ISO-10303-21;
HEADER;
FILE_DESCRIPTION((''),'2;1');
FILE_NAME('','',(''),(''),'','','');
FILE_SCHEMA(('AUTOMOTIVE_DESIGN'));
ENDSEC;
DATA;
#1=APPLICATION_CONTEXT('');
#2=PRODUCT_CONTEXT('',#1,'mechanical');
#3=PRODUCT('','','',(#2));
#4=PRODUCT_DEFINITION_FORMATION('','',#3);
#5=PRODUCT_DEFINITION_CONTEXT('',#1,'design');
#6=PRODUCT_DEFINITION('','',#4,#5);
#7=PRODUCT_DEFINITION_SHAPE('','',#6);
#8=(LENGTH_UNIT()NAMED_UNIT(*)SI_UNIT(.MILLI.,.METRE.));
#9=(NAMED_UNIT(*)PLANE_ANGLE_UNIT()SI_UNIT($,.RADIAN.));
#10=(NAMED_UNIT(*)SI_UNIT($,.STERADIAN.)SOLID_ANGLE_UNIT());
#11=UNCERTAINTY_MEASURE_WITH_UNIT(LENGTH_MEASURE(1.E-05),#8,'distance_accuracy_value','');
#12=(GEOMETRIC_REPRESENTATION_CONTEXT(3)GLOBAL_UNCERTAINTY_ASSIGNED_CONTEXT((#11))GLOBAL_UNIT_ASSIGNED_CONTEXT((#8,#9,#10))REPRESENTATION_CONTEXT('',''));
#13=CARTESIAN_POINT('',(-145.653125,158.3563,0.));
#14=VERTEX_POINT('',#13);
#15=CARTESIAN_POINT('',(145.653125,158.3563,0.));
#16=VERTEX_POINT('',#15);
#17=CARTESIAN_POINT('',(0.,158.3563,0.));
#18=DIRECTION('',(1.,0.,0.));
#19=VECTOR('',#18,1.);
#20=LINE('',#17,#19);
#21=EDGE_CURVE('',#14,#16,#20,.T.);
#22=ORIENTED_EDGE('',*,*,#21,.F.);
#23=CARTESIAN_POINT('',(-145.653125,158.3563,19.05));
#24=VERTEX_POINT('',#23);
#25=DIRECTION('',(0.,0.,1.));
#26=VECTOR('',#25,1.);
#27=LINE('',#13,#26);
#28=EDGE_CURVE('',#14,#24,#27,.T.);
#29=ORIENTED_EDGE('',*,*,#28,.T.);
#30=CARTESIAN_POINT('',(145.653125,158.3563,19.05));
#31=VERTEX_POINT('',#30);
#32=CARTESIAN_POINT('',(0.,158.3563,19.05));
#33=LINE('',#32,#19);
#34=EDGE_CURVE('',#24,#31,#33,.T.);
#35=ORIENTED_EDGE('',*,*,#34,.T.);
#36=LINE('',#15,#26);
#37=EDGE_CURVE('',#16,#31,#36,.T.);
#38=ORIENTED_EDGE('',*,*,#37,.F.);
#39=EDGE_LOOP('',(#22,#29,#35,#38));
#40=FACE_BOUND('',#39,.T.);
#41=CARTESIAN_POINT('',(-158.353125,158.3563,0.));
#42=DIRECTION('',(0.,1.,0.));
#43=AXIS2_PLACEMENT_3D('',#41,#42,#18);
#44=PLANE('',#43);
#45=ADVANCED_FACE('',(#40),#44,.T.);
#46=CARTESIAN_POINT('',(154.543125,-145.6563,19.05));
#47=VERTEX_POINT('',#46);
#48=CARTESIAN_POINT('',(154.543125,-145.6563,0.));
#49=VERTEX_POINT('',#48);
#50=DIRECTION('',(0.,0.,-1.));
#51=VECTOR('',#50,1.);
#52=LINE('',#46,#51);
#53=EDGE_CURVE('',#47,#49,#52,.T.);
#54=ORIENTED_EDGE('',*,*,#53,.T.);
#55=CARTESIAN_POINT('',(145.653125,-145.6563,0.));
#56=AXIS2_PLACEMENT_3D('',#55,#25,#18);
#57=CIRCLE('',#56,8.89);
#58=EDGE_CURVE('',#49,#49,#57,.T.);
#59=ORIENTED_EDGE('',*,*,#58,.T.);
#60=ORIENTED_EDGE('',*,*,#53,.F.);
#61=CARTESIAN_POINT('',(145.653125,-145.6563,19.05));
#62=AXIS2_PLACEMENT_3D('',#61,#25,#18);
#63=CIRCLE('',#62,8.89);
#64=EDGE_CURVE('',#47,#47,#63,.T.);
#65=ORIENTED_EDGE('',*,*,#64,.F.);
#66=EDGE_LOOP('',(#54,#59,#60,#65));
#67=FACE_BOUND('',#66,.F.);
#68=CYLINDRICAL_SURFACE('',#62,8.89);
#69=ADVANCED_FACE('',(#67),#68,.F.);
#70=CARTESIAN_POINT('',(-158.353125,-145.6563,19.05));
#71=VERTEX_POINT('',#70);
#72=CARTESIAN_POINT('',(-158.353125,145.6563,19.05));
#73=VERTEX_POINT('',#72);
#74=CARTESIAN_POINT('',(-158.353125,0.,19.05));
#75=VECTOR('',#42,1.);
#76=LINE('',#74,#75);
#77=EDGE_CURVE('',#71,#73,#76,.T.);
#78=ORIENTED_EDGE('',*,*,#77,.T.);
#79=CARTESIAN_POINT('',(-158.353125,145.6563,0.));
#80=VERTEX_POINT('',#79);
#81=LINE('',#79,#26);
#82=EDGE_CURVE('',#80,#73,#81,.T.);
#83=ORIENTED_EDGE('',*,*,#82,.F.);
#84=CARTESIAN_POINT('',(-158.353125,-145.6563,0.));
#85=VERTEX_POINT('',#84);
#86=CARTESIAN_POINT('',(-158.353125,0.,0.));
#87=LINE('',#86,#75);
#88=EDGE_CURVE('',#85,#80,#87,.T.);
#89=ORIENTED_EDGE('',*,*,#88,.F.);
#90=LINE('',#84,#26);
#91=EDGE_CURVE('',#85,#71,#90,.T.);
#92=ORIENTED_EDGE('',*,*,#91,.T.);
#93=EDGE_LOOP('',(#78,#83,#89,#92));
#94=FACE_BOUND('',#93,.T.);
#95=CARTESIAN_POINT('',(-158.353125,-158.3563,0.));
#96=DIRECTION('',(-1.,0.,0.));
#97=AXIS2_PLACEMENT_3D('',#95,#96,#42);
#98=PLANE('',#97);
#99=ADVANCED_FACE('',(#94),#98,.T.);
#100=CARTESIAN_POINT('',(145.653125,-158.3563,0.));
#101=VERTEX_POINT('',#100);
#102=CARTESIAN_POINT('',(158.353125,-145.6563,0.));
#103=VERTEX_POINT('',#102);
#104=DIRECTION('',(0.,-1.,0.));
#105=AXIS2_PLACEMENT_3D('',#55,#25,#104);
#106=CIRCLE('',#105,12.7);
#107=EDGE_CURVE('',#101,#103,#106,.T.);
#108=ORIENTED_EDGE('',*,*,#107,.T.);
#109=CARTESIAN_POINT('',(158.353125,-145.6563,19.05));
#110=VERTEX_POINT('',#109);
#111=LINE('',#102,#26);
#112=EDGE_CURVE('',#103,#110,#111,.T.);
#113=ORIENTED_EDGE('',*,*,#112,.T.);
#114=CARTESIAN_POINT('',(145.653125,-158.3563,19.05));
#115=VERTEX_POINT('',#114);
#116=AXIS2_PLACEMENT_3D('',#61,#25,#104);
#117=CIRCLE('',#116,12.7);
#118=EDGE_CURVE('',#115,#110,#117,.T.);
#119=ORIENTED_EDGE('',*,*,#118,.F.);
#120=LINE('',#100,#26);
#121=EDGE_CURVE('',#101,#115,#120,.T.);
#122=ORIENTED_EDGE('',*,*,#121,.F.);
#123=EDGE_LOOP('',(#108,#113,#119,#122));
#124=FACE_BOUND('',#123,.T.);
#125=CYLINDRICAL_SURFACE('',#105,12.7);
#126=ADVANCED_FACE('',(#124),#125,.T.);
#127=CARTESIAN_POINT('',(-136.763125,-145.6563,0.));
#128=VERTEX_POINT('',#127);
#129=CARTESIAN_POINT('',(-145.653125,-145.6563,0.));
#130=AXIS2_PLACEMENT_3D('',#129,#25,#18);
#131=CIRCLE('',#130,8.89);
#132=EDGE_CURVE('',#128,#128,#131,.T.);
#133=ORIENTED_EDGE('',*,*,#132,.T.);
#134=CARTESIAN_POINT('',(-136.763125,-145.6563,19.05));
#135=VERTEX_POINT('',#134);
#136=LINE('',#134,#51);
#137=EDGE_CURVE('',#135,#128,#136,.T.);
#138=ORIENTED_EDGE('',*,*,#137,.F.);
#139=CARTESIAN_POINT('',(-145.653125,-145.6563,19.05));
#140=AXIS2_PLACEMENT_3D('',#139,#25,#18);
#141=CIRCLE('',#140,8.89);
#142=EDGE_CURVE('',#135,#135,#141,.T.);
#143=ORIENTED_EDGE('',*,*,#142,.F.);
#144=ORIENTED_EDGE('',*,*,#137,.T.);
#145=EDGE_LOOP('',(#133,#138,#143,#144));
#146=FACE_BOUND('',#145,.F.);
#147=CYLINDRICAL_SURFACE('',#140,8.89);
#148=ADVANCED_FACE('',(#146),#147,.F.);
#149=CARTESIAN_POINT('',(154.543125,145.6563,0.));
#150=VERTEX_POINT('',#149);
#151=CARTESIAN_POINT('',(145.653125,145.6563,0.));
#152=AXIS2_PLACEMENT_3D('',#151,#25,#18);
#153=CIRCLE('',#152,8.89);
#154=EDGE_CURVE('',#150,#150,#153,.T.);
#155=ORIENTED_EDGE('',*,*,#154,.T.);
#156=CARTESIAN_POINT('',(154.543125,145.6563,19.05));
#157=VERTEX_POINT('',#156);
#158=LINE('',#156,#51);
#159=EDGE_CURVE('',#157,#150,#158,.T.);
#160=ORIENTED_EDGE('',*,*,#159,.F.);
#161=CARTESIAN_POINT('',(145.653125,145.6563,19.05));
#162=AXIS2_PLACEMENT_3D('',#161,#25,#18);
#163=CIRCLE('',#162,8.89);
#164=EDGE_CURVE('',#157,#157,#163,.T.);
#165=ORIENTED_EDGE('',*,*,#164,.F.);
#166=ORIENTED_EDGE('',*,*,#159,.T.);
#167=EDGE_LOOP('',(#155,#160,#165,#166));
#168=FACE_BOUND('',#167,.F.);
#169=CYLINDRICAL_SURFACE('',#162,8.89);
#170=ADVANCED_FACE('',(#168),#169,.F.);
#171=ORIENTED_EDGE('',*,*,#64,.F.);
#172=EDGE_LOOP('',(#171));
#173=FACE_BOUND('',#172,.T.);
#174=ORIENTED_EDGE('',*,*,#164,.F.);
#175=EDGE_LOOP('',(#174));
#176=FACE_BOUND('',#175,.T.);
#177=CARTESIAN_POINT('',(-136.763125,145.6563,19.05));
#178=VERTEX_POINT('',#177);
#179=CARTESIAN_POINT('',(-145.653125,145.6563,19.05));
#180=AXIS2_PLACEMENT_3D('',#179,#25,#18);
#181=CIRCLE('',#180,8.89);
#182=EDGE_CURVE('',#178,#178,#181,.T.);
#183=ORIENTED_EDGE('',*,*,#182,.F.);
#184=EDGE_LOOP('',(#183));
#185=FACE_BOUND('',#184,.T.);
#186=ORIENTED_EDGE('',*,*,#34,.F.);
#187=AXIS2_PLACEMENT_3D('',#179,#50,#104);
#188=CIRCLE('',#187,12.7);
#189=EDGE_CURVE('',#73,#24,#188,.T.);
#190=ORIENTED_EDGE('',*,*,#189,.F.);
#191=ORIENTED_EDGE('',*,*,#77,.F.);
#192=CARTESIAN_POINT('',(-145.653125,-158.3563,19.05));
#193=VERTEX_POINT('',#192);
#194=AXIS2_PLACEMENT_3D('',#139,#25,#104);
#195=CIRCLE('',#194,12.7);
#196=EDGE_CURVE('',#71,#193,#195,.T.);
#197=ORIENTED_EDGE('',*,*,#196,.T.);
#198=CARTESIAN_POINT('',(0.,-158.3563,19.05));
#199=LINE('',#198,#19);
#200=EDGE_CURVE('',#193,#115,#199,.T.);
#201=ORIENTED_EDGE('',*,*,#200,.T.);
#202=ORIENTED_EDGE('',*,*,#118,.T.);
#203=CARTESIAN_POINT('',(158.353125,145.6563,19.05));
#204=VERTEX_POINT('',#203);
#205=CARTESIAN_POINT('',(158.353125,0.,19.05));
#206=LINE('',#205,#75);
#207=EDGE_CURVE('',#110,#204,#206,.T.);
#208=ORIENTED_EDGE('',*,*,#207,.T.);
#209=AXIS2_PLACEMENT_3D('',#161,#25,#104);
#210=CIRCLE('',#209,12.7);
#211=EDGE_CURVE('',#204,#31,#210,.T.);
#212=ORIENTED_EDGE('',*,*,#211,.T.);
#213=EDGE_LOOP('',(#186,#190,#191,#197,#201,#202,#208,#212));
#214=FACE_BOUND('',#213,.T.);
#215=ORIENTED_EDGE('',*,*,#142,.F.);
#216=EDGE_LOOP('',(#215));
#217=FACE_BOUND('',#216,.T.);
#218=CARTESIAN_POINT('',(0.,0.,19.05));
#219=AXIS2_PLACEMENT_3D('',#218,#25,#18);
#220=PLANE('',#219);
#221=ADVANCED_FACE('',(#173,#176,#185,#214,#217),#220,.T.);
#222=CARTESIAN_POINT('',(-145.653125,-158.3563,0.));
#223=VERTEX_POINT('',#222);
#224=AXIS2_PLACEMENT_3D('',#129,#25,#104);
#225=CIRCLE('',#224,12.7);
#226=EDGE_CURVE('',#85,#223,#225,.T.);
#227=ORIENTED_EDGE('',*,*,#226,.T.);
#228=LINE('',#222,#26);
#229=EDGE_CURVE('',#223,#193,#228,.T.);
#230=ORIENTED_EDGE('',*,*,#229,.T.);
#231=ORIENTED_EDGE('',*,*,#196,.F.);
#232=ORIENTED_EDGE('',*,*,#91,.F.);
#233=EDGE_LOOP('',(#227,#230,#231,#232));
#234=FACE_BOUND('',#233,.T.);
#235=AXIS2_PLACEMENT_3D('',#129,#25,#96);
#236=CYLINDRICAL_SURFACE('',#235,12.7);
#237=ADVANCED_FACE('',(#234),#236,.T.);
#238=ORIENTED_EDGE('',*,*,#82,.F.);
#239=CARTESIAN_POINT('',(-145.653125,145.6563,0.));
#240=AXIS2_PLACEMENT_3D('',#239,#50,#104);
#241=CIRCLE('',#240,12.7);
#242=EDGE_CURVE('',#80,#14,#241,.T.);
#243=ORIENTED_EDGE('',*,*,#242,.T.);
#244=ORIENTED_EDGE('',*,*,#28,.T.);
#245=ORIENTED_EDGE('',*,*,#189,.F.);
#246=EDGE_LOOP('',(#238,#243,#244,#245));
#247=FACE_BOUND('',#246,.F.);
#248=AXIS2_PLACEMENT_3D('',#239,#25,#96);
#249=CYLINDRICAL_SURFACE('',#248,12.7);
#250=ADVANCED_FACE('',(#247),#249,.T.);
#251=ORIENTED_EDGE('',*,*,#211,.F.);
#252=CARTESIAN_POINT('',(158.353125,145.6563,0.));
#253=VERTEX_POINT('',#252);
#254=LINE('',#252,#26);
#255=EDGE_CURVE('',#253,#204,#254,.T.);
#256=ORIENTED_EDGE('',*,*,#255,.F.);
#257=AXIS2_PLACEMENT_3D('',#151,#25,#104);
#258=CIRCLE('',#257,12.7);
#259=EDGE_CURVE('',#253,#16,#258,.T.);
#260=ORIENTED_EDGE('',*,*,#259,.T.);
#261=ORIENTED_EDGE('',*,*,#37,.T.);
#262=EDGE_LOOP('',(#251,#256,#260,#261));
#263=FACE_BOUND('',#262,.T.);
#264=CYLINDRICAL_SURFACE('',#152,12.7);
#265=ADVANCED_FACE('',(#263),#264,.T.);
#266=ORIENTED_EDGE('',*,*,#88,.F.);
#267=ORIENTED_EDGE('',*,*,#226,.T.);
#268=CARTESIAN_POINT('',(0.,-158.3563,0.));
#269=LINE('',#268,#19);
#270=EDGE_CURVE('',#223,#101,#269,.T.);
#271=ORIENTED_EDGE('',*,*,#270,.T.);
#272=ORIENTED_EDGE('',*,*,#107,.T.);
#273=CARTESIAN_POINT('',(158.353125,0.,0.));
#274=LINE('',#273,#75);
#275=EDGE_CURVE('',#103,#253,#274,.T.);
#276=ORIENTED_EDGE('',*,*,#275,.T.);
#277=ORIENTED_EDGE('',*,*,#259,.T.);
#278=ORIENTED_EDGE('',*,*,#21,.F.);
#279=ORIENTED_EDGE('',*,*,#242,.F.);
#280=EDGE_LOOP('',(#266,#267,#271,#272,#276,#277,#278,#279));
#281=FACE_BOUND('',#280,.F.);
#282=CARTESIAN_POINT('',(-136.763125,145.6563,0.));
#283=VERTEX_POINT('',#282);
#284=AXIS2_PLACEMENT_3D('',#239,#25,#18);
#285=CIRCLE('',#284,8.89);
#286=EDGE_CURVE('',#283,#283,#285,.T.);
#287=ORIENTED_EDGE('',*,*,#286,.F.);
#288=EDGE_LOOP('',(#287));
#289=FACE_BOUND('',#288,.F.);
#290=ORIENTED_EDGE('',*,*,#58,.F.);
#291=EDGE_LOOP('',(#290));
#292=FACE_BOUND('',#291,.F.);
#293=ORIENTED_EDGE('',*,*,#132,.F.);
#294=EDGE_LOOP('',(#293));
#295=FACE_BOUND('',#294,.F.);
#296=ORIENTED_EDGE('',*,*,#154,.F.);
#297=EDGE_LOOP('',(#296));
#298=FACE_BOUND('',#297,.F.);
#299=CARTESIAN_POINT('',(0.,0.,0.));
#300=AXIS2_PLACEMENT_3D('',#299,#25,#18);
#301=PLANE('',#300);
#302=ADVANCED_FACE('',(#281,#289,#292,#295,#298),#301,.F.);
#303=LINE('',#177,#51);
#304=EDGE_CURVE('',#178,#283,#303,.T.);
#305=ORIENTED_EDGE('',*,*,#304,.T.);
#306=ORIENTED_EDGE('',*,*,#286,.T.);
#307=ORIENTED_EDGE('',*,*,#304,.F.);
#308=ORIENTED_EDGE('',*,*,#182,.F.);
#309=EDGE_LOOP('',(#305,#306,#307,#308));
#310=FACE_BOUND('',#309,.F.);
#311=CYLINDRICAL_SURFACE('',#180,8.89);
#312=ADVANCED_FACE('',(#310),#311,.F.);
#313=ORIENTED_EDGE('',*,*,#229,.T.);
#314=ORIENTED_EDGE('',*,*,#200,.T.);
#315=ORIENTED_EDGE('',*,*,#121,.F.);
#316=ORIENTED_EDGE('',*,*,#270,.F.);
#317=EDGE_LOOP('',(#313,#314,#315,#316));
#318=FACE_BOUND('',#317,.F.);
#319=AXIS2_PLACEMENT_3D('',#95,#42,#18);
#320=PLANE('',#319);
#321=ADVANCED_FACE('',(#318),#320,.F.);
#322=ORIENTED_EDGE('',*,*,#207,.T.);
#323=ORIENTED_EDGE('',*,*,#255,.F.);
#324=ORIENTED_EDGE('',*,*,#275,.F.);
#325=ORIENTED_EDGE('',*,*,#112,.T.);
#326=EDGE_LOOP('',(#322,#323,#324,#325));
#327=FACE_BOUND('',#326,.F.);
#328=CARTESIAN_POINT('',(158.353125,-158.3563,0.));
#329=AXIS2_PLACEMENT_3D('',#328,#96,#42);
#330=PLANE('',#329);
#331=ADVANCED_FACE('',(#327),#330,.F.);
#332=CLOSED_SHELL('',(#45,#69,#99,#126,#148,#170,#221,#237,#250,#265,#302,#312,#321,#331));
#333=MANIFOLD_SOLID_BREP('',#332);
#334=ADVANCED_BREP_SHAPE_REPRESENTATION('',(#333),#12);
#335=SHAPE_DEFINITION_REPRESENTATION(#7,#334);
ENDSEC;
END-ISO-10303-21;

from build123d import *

# Parameters (mm, degrees)
F0_W     = 316.70625
F0_H     = 316.7126
F1_DEPTH = 19.05
F2_R     = 12.7
F3_R     = 8.89
F4_DEPTH = 25.4


with BuildPart() as f1:
    # F0 (on Top) → F1 (new body)
    with BuildSketch(Plane.XY):
        Rectangle(F0_W, F0_H)
    extrude(amount=F1_DEPTH)

    # F2
    f2_edges = [f1.edges().sort_by_distance(p)[0] for p in [
        (-158.353125, -158.3563, 9.525),
        (-158.353125, 158.3563, 9.525),
        (158.353125, 158.3563, 9.525),
        (158.353125, -158.3563, 9.525),
    ]]
    fillet(f2_edges, radius=F2_R)

    # F3 (on face) → F4 (cut)
    with BuildSketch(Plane.XY.offset(19.05)):
        with Locations((-145.653125, 145.6563)):
            Circle(F3_R)
        with Locations((145.653125, 145.6563)):
            Circle(F3_R)
        with Locations((145.653125, -145.6563)):
            Circle(F3_R)
        with Locations((-145.653125, -145.6563)):
            Circle(F3_R)
    extrude(amount=-F4_DEPTH, mode=Mode.SUBTRACT)


solid = f1.part
